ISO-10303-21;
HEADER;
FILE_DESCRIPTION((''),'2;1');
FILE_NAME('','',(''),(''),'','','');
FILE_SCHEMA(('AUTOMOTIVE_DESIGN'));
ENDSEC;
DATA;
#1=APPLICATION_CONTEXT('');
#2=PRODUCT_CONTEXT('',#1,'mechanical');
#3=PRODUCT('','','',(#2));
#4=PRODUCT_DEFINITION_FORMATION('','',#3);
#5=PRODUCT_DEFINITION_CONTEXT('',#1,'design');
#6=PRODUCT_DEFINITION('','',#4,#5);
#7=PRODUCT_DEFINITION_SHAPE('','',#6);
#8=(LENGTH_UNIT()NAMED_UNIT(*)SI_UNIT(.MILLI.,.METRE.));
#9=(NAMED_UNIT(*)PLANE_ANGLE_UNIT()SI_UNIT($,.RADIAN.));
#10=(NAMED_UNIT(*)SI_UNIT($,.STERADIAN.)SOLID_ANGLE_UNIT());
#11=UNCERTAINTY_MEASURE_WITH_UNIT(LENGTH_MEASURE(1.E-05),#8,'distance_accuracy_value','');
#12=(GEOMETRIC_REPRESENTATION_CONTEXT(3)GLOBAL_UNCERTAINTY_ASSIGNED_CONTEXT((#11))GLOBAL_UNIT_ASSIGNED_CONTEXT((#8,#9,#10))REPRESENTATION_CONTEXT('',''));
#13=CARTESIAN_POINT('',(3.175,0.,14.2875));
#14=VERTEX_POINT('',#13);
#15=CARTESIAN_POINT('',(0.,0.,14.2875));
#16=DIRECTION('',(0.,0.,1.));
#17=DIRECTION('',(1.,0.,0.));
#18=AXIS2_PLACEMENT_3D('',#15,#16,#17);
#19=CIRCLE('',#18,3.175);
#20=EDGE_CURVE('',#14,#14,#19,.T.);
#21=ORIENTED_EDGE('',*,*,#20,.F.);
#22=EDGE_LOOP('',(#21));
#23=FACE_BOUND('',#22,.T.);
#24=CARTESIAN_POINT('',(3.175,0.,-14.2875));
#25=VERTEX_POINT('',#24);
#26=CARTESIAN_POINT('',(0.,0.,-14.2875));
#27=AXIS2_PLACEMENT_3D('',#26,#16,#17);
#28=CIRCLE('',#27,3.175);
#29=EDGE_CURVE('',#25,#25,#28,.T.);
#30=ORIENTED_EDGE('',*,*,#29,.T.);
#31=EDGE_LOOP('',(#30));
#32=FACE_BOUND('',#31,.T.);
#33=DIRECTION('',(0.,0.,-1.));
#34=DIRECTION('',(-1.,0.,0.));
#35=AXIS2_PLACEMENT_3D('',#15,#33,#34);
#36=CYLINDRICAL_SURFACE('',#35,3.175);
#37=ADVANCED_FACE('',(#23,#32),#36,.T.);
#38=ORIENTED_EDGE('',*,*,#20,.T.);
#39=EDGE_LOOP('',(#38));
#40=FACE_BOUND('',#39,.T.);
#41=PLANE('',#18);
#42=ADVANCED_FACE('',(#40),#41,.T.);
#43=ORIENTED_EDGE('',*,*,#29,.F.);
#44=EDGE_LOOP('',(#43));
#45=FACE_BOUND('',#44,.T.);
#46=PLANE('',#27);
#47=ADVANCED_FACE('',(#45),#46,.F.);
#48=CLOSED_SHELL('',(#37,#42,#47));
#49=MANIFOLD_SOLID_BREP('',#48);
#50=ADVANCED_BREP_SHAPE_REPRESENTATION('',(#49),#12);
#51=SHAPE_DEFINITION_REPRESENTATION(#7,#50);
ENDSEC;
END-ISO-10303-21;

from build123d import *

# Parameters (mm, degrees)
SKETCH1_R           = 3.175
BOSS_EXTRUDE1_DEPTH = 14.2875


with BuildPart() as part:
    # Sketch1 → Boss-Extrude1 (new body, symmetric)
    with BuildSketch(Plane.XY):
        Circle(SKETCH1_R)
    extrude(amount=BOSS_EXTRUDE1_DEPTH, both=True)


solid = part.part
